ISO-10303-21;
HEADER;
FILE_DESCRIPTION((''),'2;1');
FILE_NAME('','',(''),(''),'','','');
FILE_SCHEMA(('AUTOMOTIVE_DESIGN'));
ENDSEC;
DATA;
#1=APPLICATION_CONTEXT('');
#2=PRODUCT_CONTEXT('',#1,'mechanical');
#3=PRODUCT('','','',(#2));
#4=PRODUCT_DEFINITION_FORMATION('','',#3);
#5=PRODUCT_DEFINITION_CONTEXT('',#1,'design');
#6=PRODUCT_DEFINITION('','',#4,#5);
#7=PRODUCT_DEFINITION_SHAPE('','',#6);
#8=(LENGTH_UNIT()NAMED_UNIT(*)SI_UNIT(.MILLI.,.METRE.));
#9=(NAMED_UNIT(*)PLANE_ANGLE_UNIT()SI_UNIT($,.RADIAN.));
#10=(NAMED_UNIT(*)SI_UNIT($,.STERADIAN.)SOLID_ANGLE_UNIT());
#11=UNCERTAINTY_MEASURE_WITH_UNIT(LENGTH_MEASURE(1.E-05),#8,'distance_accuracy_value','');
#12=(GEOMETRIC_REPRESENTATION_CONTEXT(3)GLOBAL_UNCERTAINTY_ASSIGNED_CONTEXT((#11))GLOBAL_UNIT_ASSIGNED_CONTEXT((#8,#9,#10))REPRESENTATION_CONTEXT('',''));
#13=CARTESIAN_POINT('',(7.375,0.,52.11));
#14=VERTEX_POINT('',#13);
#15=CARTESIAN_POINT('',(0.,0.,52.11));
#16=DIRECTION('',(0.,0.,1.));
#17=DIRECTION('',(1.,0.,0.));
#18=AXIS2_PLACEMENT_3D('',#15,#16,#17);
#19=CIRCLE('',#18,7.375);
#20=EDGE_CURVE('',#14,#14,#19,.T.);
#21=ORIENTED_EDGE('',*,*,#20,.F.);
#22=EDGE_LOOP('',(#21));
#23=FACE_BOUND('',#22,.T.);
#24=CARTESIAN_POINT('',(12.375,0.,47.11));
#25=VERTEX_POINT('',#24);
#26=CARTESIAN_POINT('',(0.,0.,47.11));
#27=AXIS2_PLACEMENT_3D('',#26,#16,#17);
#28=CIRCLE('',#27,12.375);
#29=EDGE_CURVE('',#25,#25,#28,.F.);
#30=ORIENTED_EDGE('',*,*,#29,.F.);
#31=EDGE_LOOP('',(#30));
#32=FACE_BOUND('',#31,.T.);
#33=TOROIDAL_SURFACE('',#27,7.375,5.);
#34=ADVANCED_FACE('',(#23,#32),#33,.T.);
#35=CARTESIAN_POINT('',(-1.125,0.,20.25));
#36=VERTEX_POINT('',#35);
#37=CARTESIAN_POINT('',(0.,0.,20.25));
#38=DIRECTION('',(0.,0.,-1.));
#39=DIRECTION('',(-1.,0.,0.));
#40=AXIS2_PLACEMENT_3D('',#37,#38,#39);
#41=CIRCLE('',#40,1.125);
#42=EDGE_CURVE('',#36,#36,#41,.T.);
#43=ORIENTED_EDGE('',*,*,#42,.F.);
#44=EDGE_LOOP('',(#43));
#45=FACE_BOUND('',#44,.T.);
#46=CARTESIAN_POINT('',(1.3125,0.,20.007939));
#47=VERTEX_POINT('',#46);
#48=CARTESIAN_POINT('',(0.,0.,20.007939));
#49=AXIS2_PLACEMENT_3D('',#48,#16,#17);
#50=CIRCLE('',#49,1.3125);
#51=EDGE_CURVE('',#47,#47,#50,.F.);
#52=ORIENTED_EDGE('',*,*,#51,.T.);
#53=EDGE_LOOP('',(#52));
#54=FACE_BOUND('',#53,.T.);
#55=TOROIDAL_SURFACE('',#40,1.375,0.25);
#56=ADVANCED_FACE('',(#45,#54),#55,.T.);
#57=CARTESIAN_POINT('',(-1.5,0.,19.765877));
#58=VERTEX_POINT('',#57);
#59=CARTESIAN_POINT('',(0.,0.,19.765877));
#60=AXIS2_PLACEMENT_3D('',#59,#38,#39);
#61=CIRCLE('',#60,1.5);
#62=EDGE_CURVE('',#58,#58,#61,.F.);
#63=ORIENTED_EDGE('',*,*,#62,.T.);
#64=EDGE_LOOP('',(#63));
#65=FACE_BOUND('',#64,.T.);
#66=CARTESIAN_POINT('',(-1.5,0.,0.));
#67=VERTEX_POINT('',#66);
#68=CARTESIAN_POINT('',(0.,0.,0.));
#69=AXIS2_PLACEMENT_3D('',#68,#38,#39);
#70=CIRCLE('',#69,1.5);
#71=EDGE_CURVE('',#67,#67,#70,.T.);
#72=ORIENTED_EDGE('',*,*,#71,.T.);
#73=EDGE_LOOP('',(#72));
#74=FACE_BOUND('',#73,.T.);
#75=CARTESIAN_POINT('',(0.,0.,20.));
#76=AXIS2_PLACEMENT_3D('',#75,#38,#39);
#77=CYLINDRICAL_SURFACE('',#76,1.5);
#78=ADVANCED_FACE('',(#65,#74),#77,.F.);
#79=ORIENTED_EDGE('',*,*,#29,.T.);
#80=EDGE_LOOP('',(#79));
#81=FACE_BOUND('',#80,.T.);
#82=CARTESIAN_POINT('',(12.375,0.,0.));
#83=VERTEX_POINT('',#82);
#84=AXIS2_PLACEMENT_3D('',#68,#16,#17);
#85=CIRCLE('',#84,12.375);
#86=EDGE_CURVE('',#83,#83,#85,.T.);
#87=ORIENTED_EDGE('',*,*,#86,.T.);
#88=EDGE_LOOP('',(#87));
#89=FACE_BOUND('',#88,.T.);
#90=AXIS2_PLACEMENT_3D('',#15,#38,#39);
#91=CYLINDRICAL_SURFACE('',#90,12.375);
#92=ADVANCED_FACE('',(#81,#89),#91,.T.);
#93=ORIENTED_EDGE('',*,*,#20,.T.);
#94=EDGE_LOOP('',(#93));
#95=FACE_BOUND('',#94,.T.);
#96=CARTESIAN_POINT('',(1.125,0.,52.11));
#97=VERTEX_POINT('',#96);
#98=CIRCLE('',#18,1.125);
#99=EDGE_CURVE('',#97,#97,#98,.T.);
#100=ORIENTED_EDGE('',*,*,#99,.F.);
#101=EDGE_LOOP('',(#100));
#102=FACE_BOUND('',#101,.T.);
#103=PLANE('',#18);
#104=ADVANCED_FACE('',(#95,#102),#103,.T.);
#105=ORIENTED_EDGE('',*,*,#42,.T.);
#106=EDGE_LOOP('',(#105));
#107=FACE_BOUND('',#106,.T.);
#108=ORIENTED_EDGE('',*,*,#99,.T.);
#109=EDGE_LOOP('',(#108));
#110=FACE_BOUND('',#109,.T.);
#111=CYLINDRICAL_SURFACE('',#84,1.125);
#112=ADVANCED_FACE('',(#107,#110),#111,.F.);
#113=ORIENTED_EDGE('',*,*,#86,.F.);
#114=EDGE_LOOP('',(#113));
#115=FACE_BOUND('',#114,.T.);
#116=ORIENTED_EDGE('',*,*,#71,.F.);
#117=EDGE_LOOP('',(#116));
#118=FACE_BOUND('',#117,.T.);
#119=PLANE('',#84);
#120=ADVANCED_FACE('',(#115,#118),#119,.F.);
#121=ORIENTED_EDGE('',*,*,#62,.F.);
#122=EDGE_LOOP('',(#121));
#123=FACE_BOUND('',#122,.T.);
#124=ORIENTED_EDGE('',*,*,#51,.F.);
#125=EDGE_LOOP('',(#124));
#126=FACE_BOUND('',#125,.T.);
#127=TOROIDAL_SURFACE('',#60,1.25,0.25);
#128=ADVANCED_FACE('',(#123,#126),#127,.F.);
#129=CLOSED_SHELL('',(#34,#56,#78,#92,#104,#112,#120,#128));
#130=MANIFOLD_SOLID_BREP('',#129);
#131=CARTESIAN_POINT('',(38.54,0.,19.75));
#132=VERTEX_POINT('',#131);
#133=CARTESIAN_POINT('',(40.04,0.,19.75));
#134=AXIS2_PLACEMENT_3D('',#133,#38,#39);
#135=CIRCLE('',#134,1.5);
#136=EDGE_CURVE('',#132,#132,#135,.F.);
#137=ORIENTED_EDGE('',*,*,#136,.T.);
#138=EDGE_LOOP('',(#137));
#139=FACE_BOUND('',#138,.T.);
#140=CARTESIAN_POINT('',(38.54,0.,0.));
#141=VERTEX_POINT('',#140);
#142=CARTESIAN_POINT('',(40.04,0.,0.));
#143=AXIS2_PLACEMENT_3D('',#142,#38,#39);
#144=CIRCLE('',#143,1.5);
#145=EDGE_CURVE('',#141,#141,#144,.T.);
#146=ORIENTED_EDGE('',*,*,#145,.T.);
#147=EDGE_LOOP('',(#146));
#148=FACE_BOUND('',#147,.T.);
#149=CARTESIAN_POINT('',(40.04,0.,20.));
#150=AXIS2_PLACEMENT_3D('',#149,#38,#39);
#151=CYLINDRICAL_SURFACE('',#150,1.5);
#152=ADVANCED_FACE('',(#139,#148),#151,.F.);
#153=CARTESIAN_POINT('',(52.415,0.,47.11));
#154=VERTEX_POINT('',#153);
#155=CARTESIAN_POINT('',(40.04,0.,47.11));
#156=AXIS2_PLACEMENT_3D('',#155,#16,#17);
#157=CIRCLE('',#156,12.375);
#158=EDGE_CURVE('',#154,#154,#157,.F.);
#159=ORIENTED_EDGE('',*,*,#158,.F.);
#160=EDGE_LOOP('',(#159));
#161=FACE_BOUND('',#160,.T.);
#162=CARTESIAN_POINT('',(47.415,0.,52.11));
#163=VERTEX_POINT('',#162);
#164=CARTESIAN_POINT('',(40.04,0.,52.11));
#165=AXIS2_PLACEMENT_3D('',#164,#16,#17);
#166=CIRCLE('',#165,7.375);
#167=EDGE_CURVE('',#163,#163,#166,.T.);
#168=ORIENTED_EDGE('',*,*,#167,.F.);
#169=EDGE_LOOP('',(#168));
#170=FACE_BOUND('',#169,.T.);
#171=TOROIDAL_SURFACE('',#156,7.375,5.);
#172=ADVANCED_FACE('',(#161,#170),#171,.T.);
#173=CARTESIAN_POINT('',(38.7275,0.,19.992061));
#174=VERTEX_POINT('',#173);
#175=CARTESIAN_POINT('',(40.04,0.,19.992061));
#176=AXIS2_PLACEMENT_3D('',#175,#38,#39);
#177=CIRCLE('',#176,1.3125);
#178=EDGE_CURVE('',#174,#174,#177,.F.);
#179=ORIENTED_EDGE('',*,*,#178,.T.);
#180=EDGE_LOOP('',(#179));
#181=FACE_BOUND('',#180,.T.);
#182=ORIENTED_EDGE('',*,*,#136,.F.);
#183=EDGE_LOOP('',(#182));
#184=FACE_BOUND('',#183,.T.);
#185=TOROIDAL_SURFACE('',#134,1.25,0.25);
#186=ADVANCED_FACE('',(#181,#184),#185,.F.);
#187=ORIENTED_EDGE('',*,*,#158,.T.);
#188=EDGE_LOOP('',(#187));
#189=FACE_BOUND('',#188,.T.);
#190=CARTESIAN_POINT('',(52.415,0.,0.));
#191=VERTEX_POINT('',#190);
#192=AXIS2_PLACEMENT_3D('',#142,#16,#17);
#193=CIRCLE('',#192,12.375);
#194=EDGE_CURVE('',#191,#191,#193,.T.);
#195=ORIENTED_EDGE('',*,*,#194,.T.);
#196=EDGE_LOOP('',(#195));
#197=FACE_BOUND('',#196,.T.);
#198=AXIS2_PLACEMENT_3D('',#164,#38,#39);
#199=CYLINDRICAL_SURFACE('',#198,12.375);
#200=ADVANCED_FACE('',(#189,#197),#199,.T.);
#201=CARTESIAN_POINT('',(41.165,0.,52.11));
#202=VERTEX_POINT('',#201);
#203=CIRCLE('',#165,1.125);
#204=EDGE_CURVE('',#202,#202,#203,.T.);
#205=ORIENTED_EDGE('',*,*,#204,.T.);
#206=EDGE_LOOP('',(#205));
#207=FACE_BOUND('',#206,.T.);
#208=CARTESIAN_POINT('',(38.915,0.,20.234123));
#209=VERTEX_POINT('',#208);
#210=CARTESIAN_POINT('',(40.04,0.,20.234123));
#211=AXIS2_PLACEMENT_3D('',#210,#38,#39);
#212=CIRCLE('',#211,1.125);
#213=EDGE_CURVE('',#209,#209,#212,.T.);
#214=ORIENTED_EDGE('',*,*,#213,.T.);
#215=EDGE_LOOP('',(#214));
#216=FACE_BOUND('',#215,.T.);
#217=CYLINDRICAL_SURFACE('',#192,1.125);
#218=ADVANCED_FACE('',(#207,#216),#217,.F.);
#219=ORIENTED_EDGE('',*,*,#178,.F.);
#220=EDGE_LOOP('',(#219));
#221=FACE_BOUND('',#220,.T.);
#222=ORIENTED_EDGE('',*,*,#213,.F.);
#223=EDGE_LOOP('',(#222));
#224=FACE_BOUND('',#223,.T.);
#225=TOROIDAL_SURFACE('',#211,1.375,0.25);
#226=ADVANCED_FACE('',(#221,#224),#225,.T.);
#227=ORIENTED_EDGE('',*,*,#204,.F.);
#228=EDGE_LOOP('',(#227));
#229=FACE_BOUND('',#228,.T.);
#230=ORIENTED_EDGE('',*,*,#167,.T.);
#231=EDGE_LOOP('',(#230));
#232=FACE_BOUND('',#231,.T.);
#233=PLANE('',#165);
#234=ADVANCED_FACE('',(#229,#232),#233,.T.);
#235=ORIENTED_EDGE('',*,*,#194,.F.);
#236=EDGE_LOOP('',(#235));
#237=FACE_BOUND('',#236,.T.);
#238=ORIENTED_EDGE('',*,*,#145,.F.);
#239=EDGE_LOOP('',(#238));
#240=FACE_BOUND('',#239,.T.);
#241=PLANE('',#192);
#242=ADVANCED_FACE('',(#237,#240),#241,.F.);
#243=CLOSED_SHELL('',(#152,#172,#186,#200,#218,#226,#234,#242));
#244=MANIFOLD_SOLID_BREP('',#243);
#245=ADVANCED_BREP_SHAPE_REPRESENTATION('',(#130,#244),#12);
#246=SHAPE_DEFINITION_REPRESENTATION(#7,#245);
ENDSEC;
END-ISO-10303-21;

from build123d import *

# Parameters (mm, degrees)
ESQUISSE1_R             = 12.375
BOSS_EXTRU_1_DEPTH      = 52.11
BOSS_EXTRU_1_2_DEPTH    = 52.11
CONG_1_R                = 5
CONG_2_R                = 5
ESQUISSE2_R             = 1.125
ENL_V_MAT_EXTRU_1_DEPTH = 52.11
ESQUISSE3_R             = 1.5
ENL_V_MAT_EXTRU_2_DEPTH = 20
CONG_3_R                = 0.25
CONG_4_R                = 0.25
CONG_5_R                = 0.25
CONG_6_R                = 0.25


with BuildPart() as part:
    # Esquisse1 → Boss.-Extru.1 (new body)
    with BuildSketch(Plane.XY):
        Circle(ESQUISSE1_R)
    extrude(amount=BOSS_EXTRU_1_DEPTH)

    # Congé2
    cong_2_edges = [part.edges().sort_by_distance(p)[0] for p in [
        (-12.375, 0, 52.11),
    ]]
    fillet(cong_2_edges, radius=CONG_2_R)


with BuildPart() as body_2:
    # Esquisse1 → Boss.-Extru.1 2 (new body)
    with BuildSketch(Plane.XY):
        with Locations((40.04, 0)):
            Circle(ESQUISSE1_R)
    extrude(amount=BOSS_EXTRU_1_2_DEPTH)

    # Congé1
    cong_1_edges = [body_2.edges().sort_by_distance(p)[0] for p in [
        (27.665, 0, 52.11),
    ]]
    fillet(cong_1_edges, radius=CONG_1_R)


with BuildPart() as enl_v_mat_extru_1_tool:
    # Esquisse2 → Enlèv. mat.-Extru.1 (new body)
    with BuildSketch(Plane.XY.offset(52.11)):
        Circle(ESQUISSE2_R)
        with Locations((40.04, 0)):
            Circle(ESQUISSE2_R)
    extrude(amount=-ENL_V_MAT_EXTRU_1_DEPTH)


with BuildPart() as part_1:
    add(part.part)

    # Enlèv. mat.-Extru.1: cut by enl_v_mat_extru_1_tool
    add(enl_v_mat_extru_1_tool.part, mode=Mode.SUBTRACT)


with BuildPart() as body_2_1:
    add(body_2.part)

    # Enlèv. mat.-Extru.1: cut by enl_v_mat_extru_1_tool
    add(enl_v_mat_extru_1_tool.part, mode=Mode.SUBTRACT)


with BuildPart() as enl_v_mat_extru_2_tool:
    # Esquisse3 → Enlèv. mat.-Extru.2 (new body)
    with BuildSketch(Plane(origin=(0, 0, 0), x_dir=(-1, 0, 0), z_dir=(0, 0, -1))):
        Circle(ESQUISSE3_R)
        with Locations((-40.04, 0)):
            Circle(ESQUISSE3_R)
    extrude(amount=-ENL_V_MAT_EXTRU_2_DEPTH)


with BuildPart() as part_2:
    add(part_1.part)

    # Enlèv. mat.-Extru.2: cut by enl_v_mat_extru_2_tool
    add(enl_v_mat_extru_2_tool.part, mode=Mode.SUBTRACT)

    # Congé5
    cong_5_edges = [part_2.edges().sort_by_distance(p)[0] for p in [
        (-1.125, 0, 20),
    ]]
    fillet(cong_5_edges, radius=CONG_5_R)

    # Congé6
    cong_6_edges = [part_2.edges().sort_by_distance(p)[0] for p in [
        (1.5, 0, 20),
    ]]
    fillet(cong_6_edges, radius=CONG_6_R)


with BuildPart() as body_2_2:
    add(body_2_1.part)

    # Enlèv. mat.-Extru.2: cut by enl_v_mat_extru_2_tool
    add(enl_v_mat_extru_2_tool.part, mode=Mode.SUBTRACT)

    # Congé3
    cong_3_edges = [body_2_2.edges().sort_by_distance(p)[0] for p in [
        (41.54, 0, 20),
    ]]
    fillet(cong_3_edges, radius=CONG_3_R)

    # Congé4
    cong_4_edges = [body_2_2.edges().sort_by_distance(p)[0] for p in [
        (38.915, 0, 20),
    ]]
    fillet(cong_4_edges, radius=CONG_4_R)


solid = Compound([part_2.part, body_2_2.part])
